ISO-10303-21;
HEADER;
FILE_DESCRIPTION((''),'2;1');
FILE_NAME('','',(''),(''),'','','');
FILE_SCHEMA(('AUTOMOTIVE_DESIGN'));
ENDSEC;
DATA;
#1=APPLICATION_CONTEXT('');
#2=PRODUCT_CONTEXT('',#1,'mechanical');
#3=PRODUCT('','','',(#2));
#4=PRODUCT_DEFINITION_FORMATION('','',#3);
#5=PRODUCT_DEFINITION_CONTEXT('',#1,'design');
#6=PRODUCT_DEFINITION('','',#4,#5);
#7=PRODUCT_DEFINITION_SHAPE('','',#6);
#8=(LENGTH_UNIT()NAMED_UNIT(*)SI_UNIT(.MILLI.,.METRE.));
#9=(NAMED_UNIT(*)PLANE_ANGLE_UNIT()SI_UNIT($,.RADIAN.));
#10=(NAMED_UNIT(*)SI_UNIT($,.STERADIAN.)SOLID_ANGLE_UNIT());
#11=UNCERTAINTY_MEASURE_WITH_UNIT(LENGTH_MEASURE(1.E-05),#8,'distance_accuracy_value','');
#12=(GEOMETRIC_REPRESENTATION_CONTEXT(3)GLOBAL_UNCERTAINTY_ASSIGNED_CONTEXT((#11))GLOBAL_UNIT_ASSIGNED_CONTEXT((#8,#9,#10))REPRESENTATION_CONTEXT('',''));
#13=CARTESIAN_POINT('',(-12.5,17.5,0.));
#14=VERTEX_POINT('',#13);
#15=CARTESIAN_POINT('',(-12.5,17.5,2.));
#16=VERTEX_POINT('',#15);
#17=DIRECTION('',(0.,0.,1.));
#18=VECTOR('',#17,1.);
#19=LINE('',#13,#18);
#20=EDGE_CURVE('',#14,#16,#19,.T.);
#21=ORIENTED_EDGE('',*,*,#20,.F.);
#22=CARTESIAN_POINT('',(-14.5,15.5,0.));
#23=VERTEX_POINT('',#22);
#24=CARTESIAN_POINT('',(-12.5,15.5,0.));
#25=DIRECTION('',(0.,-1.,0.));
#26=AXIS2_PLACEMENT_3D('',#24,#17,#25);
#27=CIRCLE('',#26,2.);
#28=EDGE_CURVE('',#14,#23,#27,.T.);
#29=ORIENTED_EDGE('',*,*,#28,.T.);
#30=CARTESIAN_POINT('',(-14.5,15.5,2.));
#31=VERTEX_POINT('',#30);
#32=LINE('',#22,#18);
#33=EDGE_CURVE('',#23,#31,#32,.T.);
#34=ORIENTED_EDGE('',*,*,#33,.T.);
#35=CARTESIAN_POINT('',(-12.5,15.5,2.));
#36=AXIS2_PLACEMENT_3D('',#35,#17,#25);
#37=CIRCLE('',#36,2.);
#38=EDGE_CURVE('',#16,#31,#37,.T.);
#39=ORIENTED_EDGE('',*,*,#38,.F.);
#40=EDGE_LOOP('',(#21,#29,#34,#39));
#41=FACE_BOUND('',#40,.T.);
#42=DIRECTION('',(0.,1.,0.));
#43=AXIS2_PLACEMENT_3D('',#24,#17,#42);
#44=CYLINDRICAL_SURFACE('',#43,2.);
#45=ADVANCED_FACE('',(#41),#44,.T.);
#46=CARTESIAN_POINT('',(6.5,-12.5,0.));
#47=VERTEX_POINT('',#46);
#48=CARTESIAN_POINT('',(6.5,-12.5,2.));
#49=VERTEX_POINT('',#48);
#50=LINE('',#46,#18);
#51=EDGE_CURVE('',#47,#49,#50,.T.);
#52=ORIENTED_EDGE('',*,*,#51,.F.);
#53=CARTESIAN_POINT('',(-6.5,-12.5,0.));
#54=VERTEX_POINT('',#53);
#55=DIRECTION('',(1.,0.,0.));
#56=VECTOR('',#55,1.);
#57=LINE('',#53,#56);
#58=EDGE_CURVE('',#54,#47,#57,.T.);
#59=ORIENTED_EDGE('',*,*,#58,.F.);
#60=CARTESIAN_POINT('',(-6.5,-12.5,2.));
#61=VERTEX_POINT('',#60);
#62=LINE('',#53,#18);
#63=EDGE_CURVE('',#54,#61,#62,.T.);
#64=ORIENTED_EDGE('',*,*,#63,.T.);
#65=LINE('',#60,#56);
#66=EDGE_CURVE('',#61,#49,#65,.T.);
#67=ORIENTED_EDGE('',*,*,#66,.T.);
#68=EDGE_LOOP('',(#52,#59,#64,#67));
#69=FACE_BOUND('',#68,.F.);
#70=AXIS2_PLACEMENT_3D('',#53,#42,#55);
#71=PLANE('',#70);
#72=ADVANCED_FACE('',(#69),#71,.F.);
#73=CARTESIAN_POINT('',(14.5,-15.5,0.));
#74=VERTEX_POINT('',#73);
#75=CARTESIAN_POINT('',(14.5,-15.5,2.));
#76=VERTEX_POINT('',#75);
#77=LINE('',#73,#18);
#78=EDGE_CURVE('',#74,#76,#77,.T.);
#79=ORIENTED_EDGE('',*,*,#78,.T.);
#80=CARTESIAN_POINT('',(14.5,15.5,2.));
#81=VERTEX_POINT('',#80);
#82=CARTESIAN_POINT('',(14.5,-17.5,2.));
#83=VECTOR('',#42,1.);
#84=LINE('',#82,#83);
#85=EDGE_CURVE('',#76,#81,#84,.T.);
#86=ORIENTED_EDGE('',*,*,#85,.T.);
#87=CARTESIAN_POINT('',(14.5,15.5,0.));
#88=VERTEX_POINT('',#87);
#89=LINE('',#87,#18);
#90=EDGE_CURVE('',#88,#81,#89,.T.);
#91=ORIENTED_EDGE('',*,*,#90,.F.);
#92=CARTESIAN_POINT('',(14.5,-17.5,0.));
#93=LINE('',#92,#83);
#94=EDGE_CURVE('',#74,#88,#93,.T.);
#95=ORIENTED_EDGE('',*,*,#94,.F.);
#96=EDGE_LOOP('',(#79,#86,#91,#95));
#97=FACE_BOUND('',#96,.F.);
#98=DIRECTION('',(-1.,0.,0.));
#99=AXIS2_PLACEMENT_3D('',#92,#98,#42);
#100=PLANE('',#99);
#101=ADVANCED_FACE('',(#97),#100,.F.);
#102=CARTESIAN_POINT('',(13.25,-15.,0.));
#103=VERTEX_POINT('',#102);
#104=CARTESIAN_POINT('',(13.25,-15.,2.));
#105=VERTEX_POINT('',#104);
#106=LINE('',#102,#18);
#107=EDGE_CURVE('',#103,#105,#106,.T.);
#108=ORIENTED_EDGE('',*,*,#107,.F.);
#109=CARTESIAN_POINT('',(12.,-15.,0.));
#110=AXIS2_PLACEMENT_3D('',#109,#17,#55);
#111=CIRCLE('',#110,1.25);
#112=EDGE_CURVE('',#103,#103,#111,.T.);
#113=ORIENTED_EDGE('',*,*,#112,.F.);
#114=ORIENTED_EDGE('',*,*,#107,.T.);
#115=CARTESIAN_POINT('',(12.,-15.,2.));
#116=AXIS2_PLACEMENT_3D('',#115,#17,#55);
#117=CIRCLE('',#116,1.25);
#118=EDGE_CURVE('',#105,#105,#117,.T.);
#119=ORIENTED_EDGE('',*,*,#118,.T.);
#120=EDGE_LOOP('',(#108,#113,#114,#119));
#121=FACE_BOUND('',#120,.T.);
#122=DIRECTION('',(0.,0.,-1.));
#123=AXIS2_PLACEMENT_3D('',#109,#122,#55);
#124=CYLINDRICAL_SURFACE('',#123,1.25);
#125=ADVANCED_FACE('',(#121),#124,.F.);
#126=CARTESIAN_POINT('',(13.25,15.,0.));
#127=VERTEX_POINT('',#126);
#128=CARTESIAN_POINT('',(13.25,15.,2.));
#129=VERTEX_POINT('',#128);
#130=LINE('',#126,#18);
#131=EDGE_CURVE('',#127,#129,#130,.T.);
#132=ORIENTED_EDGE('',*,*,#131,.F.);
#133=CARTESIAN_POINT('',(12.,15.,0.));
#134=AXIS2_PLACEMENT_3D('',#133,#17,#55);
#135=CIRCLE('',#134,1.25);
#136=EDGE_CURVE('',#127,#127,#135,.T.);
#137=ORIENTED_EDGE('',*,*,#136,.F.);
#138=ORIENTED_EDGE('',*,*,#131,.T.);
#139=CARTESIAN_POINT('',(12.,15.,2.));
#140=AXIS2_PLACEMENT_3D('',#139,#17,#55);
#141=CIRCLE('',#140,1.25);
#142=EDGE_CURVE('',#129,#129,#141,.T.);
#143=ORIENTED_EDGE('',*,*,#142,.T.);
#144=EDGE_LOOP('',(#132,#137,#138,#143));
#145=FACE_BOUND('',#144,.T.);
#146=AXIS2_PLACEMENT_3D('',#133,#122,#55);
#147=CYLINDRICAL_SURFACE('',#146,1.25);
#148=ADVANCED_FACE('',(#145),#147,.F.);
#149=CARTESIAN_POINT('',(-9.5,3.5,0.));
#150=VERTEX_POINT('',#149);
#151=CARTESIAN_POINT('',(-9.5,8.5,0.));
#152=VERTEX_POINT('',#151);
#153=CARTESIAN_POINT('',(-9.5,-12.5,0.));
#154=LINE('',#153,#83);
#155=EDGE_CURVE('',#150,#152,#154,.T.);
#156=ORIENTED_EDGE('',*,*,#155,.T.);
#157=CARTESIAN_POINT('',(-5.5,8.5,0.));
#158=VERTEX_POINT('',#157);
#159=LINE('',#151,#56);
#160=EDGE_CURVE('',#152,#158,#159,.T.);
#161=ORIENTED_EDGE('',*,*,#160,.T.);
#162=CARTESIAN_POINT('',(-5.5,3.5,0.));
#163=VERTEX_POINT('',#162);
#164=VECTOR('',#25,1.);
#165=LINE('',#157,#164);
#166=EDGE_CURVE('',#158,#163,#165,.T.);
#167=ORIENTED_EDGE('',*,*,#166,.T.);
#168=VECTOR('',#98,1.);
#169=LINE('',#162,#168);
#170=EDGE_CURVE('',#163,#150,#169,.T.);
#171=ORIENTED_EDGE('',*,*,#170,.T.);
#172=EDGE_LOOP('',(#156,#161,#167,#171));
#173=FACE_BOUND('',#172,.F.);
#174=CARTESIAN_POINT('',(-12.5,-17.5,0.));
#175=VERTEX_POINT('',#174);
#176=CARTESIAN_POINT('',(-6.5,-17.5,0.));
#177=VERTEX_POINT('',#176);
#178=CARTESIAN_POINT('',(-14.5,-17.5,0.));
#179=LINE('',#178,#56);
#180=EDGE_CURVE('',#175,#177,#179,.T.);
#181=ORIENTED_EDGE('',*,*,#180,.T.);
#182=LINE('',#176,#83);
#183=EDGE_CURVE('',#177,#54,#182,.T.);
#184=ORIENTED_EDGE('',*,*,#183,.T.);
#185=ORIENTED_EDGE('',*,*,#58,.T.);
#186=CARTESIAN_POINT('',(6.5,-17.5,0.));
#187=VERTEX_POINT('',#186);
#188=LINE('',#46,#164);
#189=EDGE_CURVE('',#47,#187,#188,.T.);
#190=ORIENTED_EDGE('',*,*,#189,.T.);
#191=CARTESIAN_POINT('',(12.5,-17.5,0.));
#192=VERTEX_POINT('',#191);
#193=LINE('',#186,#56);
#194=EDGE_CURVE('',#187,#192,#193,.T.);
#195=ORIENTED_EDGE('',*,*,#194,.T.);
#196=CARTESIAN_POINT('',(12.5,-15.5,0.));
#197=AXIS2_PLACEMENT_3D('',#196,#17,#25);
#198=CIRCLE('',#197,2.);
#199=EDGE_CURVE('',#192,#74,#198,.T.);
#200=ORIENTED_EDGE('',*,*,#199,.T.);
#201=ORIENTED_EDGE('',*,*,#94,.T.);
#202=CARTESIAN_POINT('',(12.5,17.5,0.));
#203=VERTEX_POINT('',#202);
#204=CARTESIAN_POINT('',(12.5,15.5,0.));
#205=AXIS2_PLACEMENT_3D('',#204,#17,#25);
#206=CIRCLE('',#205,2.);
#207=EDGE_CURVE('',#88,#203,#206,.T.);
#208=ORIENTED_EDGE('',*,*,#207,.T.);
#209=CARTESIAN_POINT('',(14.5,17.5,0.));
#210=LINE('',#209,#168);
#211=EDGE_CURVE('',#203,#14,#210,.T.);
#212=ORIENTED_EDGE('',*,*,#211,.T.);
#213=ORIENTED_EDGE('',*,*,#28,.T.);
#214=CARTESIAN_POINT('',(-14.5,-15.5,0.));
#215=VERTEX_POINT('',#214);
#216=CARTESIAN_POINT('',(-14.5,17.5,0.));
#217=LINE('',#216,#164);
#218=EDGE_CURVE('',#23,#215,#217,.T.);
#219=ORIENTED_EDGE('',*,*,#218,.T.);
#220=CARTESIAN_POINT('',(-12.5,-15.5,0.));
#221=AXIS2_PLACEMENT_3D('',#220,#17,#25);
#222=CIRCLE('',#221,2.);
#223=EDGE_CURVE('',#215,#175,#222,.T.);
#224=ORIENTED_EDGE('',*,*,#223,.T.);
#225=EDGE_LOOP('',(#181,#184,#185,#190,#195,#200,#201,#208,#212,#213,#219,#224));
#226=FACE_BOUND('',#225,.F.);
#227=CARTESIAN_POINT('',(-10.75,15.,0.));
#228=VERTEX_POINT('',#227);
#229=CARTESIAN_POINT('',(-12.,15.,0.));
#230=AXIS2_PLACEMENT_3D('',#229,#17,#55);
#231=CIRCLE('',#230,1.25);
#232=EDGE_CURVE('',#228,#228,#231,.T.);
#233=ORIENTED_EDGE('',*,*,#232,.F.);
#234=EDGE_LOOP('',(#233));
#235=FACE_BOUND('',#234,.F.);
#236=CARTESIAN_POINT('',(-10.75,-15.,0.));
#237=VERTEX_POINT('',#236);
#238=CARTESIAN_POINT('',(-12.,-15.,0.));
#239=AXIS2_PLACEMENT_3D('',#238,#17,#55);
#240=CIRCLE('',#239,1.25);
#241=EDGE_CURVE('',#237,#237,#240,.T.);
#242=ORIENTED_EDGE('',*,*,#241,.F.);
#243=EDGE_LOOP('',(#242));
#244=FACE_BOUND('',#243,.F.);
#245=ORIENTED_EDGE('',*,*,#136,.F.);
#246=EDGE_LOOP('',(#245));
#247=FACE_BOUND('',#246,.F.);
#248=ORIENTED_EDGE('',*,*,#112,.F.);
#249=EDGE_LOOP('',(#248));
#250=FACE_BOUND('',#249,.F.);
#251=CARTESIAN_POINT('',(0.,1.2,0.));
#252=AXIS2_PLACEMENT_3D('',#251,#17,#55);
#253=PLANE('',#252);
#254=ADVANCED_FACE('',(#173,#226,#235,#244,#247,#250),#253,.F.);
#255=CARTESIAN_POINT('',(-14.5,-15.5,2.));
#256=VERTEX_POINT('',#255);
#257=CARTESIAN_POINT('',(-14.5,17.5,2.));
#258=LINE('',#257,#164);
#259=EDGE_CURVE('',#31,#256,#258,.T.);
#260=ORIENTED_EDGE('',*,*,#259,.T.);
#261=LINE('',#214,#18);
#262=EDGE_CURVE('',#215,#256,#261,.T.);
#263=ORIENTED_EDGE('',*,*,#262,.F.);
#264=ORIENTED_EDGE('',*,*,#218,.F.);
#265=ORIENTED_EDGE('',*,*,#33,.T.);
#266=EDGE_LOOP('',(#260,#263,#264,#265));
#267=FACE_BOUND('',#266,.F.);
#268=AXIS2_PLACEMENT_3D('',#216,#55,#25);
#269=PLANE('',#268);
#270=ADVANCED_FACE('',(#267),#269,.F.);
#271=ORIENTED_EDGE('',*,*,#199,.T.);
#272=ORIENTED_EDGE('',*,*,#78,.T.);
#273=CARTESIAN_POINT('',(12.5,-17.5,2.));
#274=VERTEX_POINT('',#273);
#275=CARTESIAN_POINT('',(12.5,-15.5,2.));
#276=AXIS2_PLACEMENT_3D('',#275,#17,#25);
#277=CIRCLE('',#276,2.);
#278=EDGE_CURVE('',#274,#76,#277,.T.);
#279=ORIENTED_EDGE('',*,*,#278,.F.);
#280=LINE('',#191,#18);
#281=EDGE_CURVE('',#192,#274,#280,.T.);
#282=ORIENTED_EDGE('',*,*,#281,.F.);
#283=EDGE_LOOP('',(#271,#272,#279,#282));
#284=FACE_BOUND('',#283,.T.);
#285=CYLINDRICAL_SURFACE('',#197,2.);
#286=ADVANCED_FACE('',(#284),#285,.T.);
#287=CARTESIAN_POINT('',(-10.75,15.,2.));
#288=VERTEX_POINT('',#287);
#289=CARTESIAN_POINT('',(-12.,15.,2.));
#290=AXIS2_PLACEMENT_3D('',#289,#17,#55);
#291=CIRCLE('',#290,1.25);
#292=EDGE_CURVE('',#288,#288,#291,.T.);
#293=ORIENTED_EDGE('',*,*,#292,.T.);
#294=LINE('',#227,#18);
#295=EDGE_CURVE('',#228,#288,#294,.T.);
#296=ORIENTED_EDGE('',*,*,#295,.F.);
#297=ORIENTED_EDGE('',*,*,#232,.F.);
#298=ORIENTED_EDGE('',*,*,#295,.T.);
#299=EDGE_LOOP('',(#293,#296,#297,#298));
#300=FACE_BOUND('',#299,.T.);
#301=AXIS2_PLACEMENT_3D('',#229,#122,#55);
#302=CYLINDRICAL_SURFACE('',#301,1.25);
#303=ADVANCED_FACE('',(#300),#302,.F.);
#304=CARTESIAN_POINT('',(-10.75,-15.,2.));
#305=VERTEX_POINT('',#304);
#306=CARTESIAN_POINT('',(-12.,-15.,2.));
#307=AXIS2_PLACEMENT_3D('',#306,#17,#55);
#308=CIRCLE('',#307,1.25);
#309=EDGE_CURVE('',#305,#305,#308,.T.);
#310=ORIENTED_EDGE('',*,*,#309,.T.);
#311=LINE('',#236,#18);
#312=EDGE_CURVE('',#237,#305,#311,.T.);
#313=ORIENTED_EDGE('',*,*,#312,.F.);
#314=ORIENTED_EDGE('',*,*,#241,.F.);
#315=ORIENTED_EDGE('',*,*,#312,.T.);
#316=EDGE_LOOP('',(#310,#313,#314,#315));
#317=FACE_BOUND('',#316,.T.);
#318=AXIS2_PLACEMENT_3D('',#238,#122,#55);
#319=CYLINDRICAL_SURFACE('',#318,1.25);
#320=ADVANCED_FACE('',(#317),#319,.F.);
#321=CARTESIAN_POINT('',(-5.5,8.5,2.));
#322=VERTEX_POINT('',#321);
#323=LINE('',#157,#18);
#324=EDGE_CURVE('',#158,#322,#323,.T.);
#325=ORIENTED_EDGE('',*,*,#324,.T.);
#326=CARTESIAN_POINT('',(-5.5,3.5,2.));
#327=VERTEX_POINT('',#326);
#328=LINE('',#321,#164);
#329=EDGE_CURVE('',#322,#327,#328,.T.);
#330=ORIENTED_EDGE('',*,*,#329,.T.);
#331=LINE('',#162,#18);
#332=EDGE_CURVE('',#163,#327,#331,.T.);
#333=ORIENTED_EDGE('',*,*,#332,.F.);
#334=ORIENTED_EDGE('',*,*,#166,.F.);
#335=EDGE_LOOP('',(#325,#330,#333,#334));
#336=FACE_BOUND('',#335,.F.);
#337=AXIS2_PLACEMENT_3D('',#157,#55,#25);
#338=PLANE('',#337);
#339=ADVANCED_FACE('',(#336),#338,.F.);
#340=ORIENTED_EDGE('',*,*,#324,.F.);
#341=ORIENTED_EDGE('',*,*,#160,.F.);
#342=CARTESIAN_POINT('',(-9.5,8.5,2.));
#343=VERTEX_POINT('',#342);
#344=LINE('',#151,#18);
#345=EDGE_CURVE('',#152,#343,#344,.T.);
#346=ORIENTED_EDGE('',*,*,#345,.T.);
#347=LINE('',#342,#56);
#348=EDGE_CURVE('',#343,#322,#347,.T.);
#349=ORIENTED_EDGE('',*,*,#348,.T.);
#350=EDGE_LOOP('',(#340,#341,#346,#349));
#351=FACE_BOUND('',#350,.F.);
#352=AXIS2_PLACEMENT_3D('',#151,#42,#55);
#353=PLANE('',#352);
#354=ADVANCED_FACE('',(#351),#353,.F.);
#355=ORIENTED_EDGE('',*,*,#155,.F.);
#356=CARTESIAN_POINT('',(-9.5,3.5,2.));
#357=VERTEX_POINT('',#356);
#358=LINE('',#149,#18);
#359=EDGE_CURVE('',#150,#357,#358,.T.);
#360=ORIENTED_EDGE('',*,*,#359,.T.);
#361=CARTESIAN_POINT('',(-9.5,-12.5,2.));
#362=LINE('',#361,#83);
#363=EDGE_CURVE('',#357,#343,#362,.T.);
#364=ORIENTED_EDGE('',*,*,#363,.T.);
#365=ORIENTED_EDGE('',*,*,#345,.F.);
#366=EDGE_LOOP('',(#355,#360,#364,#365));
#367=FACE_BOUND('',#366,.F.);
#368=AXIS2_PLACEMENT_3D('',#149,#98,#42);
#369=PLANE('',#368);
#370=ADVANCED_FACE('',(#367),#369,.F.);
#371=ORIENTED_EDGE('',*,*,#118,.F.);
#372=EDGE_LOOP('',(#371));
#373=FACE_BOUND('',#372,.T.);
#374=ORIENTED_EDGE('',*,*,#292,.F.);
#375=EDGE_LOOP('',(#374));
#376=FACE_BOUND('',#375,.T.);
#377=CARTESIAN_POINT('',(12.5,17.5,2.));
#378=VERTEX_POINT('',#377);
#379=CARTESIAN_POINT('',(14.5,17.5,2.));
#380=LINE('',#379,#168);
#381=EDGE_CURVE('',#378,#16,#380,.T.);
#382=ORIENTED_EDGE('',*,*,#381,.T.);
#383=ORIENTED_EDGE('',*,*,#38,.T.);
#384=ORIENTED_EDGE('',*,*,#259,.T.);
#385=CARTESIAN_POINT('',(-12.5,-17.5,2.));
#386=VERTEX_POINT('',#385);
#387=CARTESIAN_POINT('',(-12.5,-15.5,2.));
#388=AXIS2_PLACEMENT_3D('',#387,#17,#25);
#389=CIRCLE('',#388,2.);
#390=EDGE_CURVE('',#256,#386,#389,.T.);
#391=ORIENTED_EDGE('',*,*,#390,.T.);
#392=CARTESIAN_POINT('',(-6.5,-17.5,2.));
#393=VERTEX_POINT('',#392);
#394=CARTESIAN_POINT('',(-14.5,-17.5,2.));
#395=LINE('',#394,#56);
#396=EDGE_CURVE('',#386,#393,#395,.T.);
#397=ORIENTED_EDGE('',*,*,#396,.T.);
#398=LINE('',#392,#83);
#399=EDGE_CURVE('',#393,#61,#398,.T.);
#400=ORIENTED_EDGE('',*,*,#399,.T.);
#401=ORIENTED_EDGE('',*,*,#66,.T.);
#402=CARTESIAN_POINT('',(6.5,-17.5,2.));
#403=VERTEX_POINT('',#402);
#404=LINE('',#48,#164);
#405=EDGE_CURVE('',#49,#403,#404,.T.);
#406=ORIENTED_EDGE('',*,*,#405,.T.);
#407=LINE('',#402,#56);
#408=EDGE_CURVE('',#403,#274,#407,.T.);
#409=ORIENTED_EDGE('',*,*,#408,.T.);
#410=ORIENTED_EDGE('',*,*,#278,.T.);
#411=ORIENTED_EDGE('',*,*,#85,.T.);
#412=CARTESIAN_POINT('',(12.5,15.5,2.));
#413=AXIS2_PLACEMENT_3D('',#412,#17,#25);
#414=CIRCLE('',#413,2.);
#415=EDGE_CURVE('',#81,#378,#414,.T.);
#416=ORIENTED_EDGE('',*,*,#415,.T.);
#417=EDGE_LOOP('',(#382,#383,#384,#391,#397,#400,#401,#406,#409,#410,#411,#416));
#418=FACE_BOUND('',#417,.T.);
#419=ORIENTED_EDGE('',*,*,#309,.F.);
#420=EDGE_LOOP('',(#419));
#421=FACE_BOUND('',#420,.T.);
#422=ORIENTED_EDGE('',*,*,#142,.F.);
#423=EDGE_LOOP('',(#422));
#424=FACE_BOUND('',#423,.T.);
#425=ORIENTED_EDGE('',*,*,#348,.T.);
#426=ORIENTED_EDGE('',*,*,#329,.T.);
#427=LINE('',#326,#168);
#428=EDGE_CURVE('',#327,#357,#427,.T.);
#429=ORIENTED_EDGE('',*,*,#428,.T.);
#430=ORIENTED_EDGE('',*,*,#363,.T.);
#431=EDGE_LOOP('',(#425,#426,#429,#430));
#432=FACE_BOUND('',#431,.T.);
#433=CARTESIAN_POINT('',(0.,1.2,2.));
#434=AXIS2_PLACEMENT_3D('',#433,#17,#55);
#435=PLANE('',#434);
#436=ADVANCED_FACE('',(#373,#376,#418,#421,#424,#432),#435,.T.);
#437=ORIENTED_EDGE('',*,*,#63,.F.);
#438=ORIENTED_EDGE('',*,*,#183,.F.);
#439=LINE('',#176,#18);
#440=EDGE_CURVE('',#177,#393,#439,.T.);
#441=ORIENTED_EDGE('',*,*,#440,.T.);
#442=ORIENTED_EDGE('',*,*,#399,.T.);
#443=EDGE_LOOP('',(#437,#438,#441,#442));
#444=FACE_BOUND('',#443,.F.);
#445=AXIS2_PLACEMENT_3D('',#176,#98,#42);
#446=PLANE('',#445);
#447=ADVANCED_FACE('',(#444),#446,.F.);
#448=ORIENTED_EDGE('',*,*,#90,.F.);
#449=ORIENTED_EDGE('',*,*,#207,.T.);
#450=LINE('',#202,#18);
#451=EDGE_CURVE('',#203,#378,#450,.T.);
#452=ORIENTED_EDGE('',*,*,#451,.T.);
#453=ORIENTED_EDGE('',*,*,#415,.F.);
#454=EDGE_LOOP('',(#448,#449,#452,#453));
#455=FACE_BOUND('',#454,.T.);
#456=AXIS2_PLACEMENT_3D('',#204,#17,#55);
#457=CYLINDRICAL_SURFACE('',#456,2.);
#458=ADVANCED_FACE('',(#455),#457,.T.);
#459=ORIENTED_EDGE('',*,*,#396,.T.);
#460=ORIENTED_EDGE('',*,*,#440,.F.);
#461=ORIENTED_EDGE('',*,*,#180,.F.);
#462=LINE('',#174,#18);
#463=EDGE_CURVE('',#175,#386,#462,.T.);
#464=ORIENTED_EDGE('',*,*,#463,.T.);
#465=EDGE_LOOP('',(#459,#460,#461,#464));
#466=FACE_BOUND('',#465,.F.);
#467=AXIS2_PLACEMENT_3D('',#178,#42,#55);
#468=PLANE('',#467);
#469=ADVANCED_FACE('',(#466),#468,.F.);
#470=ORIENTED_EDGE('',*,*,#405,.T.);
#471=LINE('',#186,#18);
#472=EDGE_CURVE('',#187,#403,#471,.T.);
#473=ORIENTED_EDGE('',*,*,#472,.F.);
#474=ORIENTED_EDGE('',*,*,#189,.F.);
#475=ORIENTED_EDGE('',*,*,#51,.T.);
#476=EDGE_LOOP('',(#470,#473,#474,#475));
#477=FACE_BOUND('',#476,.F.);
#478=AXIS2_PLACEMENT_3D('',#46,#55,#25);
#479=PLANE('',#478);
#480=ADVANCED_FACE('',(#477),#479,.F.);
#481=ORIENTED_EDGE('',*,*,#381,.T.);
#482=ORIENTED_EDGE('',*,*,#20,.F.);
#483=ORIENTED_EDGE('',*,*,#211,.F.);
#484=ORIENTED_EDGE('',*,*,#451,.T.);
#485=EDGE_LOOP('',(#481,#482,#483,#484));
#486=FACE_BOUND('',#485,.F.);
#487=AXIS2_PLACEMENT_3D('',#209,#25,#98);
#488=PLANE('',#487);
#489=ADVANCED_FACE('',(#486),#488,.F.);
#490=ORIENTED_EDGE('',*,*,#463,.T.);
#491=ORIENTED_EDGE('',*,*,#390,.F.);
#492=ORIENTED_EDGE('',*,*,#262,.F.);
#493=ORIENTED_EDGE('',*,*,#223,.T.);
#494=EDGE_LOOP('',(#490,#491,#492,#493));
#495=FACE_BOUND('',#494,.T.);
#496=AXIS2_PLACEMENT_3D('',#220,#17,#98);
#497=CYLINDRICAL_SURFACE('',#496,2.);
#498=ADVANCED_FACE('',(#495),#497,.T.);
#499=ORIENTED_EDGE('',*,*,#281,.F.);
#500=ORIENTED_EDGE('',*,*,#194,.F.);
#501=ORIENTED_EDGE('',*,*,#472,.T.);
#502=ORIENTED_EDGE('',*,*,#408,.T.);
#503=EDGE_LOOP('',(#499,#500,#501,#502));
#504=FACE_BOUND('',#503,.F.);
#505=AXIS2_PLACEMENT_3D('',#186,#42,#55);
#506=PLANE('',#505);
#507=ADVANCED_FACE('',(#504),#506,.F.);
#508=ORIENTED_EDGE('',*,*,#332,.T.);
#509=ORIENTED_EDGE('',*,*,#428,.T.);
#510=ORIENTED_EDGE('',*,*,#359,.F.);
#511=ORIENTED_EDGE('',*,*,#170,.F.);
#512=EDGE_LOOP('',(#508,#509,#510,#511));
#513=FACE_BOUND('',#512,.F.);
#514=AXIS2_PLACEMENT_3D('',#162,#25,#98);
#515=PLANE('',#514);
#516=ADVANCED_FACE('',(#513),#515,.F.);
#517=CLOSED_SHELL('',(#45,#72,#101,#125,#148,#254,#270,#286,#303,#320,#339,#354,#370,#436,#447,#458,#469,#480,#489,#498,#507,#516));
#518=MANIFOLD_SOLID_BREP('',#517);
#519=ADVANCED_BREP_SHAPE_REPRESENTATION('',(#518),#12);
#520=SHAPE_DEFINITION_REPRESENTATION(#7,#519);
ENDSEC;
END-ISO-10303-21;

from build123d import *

# Parameters (mm, degrees)
F0_R     = 1.25
F1_DEPTH = 2
F2_R     = 2


with BuildPart() as f1:
    # F0 (on Top) → F1 (new body)
    with BuildSketch(Plane.XY):
        Polygon((9.5, 12.5), (9.5, -12.5), (6.5, -12.5), (6.5, -17.5), (14.5, -17.5), (14.5, 17.5), (-14.5, 17.5), (-14.5, -17.5), (-6.5, -17.5), (-6.5, -12.5), (-9.5, -12.5), (-9.5, 3.5), (-9.5, 8.5), (-9.5, 12.5), align=None)
        with Locations((-12, -15)):
            Circle(F0_R, mode=Mode.SUBTRACT)
        with Locations((12, -15)):
            Circle(F0_R, mode=Mode.SUBTRACT)
        with Locations((-12, 15)):
            Circle(F0_R, mode=Mode.SUBTRACT)
        with Locations((12, 15)):
            Circle(F0_R, mode=Mode.SUBTRACT)
        Polygon((6.5, -12.5), (9.5, -12.5), (9.5, 12.5), (-9.5, 12.5), (-9.5, 8.5), (-5.5, 8.5), (-5.5, 3.5), (-9.5, 3.5), (-9.5, -12.5), (-6.5, -12.5), align=None)
    extrude(amount=F1_DEPTH)

    # F2
    f2_edges = [f1.edges().sort_by_distance(p)[0] for p in [
        (-14.5, 17.5, 1),
        (14.5, 17.5, 1),
        (14.5, -17.5, 1),
        (-14.5, -17.5, 1),
    ]]
    fillet(f2_edges, radius=F2_R)


solid = f1.part
